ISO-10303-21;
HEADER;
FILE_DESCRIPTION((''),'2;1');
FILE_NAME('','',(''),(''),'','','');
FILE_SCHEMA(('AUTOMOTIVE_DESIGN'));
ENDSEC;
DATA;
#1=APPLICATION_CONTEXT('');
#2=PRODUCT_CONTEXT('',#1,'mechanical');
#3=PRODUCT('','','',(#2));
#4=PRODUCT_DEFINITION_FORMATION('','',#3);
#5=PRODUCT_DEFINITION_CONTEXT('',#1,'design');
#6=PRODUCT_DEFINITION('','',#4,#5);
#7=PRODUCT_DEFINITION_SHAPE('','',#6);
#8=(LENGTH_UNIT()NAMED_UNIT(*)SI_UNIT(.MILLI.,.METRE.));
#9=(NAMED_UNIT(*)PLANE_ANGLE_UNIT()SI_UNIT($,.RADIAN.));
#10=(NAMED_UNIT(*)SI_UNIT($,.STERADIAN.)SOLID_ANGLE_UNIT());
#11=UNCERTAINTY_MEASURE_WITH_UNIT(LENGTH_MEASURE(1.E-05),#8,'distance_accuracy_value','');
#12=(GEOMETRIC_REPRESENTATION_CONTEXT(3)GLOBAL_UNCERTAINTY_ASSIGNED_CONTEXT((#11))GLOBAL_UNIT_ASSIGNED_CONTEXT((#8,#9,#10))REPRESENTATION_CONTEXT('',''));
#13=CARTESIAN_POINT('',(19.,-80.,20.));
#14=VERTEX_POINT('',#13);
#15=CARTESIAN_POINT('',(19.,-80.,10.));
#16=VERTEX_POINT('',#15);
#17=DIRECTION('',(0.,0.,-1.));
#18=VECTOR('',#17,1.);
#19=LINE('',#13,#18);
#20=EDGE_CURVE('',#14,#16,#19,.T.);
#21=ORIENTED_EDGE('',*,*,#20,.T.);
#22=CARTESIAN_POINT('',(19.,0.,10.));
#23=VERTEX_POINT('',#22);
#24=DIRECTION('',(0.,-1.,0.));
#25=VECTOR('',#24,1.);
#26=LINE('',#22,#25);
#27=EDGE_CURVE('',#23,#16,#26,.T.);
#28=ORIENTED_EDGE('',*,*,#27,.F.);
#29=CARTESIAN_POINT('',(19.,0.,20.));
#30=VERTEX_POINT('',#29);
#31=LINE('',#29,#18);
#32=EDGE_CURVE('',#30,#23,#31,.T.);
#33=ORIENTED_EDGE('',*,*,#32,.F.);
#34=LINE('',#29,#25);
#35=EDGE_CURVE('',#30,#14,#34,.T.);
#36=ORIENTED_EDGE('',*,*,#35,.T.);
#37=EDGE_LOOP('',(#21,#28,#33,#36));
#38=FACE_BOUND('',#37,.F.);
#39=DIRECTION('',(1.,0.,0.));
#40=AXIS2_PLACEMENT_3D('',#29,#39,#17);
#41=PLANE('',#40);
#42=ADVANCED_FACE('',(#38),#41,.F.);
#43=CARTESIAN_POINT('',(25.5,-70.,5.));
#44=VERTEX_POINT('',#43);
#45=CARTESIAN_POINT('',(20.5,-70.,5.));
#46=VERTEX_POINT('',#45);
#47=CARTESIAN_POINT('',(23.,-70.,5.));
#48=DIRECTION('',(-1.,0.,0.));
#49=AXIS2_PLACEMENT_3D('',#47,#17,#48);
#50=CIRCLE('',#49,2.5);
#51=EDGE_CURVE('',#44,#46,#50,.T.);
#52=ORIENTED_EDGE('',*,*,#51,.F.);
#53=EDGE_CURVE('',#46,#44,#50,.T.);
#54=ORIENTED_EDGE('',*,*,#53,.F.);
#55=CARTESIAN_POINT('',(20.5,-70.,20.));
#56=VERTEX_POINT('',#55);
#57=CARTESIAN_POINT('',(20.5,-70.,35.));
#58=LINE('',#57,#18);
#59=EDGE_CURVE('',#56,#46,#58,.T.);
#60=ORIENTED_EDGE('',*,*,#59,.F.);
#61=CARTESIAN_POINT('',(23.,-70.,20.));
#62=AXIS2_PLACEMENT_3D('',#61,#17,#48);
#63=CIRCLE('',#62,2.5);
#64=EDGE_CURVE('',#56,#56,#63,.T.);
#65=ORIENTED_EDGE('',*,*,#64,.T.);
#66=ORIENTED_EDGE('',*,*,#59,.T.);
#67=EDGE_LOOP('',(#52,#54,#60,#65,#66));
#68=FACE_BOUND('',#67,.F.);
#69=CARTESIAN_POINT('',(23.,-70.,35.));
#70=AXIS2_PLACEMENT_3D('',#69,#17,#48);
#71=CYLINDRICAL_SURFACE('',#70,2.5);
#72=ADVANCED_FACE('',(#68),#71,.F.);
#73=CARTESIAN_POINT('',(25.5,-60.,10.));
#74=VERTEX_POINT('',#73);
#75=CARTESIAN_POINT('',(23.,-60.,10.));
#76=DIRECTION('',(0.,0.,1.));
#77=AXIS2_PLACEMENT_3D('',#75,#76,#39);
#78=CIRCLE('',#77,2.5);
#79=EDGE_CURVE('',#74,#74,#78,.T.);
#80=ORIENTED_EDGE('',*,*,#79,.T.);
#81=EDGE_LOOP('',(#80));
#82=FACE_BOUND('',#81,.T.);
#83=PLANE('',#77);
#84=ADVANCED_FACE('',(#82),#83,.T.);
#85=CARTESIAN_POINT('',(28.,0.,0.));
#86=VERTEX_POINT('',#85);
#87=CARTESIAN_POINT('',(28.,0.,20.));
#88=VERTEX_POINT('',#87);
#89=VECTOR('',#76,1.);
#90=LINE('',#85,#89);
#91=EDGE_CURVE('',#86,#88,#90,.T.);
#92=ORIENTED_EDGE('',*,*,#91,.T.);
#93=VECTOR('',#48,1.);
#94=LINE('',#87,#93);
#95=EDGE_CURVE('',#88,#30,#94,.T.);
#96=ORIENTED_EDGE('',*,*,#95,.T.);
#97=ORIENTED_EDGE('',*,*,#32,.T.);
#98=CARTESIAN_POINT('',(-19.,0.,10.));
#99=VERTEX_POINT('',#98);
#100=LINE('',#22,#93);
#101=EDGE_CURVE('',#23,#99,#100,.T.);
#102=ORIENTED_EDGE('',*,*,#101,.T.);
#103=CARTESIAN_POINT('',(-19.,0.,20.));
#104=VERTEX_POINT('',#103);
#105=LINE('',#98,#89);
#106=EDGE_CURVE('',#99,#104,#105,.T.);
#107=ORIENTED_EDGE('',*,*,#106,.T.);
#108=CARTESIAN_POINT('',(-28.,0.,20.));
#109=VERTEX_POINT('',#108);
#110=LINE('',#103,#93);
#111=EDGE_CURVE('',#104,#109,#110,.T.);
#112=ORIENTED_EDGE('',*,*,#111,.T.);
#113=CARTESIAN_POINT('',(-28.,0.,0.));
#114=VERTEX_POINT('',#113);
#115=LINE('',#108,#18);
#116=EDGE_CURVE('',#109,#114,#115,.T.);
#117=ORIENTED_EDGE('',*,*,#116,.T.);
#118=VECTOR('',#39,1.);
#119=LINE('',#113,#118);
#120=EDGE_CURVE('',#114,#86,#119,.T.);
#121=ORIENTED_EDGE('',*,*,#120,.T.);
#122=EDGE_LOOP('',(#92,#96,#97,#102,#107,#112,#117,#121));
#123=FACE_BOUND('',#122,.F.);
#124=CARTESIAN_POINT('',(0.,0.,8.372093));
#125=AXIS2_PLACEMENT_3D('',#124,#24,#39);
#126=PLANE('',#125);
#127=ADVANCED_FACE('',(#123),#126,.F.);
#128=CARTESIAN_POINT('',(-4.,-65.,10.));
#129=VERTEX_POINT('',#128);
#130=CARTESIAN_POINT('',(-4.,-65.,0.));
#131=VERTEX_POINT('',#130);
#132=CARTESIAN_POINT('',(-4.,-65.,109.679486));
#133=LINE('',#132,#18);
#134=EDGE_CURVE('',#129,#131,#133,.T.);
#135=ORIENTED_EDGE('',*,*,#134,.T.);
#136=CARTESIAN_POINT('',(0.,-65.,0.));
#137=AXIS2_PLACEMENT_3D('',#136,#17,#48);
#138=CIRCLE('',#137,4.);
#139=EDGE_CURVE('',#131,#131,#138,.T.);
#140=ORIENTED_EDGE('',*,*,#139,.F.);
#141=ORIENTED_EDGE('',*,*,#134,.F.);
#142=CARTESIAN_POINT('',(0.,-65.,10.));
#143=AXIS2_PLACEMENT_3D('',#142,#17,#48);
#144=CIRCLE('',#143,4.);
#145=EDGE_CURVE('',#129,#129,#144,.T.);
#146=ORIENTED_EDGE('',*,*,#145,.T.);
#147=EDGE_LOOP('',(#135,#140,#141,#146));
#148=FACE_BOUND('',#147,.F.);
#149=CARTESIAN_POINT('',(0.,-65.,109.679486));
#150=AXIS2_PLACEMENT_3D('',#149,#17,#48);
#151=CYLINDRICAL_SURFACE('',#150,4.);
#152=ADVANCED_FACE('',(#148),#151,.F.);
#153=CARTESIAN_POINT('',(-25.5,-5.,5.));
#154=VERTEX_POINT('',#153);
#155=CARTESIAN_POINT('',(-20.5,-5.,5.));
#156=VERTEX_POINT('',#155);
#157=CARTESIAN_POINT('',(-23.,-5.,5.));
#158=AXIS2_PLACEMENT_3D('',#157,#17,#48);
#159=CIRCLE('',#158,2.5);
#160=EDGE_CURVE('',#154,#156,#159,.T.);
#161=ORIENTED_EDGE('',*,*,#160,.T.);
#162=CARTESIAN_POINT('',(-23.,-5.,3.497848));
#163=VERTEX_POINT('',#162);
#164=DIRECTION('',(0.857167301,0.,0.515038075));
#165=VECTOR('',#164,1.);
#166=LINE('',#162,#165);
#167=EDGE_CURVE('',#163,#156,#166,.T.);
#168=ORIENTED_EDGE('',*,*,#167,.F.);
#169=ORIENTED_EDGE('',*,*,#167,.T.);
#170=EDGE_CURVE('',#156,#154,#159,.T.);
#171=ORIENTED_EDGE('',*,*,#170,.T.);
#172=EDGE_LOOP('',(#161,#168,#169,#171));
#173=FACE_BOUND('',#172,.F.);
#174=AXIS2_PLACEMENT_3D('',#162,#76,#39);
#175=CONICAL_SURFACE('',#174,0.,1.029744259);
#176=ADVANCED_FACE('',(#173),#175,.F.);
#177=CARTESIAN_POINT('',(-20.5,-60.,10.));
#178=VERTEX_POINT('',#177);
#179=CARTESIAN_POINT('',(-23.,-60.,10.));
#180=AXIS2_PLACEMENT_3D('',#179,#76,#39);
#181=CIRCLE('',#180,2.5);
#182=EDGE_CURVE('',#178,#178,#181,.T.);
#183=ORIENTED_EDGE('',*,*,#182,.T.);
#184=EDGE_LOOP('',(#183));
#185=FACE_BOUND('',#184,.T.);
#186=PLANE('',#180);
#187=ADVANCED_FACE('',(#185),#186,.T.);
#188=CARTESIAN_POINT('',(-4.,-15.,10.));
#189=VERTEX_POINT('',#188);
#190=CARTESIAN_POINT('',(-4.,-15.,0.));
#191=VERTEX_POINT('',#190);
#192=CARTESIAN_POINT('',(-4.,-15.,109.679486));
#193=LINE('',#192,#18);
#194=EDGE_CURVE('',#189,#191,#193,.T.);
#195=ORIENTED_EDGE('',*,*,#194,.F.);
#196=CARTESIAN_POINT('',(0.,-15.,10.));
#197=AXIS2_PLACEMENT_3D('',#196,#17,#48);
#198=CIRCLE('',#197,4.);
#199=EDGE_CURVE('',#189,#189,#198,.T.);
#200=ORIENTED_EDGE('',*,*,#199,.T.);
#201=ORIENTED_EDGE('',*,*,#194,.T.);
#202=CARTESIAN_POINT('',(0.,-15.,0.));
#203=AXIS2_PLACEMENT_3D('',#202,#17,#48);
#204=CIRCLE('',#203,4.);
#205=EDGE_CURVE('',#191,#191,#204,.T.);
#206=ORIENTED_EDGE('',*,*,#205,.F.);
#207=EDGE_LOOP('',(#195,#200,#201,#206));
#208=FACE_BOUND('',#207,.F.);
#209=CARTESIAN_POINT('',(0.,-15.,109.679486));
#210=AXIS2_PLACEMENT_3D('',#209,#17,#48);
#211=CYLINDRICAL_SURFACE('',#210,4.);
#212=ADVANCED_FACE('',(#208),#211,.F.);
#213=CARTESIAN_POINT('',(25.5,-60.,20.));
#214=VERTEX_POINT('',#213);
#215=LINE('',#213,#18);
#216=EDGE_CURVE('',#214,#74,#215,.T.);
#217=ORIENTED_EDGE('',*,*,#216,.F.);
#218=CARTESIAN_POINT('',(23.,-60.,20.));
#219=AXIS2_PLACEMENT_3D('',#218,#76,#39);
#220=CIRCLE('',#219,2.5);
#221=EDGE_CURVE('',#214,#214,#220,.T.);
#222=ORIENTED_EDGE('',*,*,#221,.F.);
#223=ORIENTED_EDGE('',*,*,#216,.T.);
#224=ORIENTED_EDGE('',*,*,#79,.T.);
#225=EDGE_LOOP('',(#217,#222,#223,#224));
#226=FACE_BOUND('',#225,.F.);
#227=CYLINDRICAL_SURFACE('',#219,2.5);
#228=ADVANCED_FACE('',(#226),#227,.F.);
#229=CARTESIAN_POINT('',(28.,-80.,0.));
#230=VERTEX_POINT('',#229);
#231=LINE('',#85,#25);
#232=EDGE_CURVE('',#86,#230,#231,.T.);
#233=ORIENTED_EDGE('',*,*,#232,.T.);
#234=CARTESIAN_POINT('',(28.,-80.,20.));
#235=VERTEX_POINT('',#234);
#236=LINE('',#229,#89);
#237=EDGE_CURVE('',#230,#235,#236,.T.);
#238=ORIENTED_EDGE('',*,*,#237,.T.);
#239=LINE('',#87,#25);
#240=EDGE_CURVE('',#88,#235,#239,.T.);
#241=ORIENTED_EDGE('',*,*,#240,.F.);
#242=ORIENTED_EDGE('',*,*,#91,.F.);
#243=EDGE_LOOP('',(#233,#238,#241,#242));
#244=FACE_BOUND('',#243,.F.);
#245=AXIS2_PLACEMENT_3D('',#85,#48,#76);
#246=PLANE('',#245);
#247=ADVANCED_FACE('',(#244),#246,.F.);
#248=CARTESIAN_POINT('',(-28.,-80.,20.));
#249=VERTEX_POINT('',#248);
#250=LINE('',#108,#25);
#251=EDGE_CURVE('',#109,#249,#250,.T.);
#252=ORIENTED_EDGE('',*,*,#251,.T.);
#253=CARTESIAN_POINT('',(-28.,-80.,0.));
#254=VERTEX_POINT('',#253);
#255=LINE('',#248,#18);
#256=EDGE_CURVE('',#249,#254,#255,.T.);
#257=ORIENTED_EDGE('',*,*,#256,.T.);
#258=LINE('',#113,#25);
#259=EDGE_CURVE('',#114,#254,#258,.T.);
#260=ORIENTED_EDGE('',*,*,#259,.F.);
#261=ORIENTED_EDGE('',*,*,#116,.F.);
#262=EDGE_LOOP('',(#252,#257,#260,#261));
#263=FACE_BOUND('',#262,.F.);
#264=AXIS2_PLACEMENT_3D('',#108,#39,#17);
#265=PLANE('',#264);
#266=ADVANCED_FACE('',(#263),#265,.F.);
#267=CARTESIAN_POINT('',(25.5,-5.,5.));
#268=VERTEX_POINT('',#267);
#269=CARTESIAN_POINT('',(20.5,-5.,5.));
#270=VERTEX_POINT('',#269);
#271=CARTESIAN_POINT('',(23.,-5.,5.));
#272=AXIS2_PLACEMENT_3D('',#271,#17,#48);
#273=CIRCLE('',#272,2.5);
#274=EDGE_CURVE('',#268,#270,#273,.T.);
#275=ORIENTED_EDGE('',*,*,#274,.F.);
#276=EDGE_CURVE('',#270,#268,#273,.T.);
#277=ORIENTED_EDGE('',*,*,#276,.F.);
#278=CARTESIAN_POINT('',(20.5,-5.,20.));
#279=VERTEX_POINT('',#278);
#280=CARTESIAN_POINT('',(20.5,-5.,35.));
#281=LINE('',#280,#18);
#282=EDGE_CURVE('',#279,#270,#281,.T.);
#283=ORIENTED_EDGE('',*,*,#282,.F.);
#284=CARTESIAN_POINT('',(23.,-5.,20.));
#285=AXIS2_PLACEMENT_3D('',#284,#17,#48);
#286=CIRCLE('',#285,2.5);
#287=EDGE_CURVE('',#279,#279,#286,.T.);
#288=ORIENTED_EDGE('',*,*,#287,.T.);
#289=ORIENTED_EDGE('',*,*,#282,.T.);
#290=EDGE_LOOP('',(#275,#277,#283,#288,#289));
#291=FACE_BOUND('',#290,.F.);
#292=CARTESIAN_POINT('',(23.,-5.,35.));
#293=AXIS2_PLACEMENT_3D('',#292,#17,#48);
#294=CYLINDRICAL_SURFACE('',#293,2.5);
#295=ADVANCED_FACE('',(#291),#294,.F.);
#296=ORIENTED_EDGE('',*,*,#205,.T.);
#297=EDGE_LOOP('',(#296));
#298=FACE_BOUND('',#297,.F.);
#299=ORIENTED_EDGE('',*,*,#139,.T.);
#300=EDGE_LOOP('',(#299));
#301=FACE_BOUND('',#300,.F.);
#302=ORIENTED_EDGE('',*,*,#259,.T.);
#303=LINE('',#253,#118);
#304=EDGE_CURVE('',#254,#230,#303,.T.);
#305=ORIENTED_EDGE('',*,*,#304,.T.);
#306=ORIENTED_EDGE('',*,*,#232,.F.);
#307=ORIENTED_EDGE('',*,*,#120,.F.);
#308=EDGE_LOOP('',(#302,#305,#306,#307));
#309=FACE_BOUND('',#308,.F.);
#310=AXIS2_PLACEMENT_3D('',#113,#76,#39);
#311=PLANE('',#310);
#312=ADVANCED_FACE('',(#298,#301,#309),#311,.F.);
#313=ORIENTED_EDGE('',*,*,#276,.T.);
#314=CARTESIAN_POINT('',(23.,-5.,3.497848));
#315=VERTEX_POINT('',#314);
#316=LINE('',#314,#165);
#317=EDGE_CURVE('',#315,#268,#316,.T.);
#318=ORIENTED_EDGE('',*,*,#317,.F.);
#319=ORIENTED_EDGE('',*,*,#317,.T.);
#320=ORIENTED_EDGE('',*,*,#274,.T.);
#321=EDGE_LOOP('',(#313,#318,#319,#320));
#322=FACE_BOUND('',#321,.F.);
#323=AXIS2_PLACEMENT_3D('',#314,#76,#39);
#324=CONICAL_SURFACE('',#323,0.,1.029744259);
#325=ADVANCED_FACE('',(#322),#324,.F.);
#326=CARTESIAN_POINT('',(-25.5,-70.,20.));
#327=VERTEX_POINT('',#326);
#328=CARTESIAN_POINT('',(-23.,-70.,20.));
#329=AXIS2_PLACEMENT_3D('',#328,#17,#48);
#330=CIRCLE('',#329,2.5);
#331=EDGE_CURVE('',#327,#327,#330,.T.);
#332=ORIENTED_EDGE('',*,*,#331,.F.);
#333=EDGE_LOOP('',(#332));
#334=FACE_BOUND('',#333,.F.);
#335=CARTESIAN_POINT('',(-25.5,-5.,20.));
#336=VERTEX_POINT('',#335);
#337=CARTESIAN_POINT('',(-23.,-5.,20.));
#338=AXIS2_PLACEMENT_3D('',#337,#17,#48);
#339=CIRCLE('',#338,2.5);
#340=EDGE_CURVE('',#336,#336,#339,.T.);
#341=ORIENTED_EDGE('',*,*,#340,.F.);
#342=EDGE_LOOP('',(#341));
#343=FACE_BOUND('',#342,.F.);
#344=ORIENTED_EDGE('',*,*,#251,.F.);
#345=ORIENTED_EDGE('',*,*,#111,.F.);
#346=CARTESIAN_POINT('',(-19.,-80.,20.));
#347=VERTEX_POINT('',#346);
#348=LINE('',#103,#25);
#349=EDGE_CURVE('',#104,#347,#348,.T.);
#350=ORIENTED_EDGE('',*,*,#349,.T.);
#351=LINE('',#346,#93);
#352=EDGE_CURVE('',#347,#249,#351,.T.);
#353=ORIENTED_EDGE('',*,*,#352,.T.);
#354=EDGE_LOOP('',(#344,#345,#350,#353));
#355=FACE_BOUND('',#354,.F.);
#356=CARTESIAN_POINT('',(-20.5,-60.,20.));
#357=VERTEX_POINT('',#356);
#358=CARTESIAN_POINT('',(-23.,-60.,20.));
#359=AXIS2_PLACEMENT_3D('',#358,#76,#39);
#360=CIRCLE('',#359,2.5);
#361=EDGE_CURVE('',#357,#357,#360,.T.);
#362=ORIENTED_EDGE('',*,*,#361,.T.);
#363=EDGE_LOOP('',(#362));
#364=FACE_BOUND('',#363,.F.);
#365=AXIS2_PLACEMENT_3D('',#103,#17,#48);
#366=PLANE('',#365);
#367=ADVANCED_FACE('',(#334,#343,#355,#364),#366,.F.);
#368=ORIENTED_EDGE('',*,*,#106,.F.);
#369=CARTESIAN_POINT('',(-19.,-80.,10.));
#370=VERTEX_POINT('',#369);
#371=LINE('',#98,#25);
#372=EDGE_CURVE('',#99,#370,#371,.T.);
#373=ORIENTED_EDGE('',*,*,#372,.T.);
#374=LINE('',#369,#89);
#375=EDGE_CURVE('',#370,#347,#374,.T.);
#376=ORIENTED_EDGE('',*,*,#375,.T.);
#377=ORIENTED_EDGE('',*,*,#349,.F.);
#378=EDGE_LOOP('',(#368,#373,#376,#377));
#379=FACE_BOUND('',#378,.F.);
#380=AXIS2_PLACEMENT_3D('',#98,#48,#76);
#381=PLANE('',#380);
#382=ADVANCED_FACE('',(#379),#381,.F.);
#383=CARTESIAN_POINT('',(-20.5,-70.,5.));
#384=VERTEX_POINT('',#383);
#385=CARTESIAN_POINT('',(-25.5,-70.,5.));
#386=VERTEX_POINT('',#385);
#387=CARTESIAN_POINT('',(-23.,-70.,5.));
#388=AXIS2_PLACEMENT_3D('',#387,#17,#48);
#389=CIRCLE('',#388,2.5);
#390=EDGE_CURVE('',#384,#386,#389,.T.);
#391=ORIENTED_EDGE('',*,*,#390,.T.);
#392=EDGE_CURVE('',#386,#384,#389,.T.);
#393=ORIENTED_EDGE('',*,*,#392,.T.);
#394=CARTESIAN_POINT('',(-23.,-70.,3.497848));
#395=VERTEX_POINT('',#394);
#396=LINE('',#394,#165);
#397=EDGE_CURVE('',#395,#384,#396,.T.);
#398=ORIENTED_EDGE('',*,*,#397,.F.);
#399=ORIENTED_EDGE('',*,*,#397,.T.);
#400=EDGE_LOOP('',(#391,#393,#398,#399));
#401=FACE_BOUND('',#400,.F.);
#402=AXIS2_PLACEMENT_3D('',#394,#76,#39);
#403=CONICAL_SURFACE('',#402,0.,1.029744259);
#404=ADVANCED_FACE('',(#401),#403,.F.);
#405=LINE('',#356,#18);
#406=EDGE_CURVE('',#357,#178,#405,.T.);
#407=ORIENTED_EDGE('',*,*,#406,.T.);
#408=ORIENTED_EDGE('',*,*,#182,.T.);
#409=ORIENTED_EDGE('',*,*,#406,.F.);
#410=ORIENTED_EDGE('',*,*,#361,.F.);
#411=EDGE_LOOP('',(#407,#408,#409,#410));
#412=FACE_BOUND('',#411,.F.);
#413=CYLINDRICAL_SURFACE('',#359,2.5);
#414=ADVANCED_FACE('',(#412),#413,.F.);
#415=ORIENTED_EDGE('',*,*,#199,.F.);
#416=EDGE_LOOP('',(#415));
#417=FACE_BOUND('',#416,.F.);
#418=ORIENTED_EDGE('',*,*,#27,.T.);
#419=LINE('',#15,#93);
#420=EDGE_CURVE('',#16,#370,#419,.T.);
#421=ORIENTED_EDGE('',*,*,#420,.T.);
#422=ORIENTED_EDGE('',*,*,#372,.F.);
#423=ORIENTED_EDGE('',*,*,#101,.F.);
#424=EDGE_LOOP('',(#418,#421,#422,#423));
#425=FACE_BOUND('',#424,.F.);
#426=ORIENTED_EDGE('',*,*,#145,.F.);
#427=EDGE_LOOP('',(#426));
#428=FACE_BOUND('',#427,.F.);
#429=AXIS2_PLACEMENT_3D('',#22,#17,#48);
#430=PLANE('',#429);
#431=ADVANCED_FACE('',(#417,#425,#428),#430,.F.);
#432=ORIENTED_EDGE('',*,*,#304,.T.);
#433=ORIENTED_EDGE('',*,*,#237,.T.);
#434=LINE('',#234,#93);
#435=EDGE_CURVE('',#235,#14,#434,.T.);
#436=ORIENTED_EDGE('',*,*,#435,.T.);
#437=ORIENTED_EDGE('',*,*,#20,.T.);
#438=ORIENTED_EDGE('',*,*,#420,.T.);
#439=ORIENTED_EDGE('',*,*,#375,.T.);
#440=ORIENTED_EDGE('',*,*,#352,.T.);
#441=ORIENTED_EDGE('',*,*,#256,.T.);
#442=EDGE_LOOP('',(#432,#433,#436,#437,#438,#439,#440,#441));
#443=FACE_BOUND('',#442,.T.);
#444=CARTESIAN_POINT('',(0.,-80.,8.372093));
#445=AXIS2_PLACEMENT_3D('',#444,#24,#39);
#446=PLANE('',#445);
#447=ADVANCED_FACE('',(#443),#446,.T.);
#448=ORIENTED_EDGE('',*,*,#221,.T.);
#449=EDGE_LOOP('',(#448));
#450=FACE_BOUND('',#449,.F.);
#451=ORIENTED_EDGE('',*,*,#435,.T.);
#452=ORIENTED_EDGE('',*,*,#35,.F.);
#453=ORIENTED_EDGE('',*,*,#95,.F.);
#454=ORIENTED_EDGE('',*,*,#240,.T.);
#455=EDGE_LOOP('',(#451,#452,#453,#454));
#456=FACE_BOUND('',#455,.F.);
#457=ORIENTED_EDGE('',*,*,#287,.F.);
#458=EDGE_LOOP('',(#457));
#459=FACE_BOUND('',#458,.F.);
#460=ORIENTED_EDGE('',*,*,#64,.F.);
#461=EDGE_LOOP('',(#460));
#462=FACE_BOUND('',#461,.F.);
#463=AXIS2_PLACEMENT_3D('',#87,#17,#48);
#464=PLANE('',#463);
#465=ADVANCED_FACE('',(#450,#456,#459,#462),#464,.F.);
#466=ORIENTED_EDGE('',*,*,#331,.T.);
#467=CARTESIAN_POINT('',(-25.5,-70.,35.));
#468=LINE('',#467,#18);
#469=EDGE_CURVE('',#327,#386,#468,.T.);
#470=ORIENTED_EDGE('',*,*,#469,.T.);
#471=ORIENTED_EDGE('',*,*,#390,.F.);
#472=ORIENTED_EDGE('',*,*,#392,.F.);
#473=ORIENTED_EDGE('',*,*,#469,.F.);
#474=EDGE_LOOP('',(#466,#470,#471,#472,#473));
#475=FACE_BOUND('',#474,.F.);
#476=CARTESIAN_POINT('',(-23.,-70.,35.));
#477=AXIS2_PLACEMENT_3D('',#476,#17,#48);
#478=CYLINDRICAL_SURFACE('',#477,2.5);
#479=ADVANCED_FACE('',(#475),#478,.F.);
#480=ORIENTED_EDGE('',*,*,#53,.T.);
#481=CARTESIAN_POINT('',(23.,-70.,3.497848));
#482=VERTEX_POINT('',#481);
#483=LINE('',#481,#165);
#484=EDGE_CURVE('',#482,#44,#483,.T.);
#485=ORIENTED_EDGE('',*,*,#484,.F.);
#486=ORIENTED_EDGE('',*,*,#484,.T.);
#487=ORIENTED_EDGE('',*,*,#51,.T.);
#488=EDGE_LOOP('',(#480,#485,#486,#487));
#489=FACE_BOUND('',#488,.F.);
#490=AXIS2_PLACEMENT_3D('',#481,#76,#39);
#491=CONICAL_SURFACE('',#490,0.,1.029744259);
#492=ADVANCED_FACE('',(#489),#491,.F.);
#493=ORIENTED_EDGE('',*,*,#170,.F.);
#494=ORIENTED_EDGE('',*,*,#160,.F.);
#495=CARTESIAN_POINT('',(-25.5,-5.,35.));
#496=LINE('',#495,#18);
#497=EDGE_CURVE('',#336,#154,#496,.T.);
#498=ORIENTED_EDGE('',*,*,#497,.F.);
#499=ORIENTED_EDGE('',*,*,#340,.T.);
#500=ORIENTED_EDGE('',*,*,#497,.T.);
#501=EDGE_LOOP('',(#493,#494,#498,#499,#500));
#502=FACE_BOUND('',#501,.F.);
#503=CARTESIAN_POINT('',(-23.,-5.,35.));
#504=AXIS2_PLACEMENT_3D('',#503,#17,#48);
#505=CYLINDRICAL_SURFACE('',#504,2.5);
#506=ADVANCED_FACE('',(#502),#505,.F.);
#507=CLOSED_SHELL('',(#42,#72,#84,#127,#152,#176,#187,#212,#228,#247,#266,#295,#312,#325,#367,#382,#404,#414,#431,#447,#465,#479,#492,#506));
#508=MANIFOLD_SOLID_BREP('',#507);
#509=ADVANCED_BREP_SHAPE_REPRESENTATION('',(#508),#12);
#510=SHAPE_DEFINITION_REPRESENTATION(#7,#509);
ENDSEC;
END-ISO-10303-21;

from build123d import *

# Parameters (mm, degrees)
F1_DEPTH = 80
F2_R     = 2.5
F3_DEPTH = 10
F5_D     = 5
F5_DEPTH = 15
F5_TIP   = 1.5021515476
F7_D     = 8


with BuildPart() as f1:
    # F0 (on Front) → F1 (new body)
    with BuildSketch(Plane.XZ):
        Polygon((-19, 20), (-28, 20), (-28, 0), (28, 0), (28, 20), (19, 20), (19, 10), (-19, 10), align=None)
    extrude(amount=F1_DEPTH)

    # F2 (on face) → F3 (cut)
    with BuildSketch(Plane.XY.offset(20)):
        with Locations((23, -60)):
            Circle(F2_R)
        with Locations((-23, -60)):
            Circle(F2_R)
    extrude(amount=-F3_DEPTH, mode=Mode.SUBTRACT)

    # F5
    with Locations(Plane.XY.offset(20)):
        with Locations((-23, -5), (23, -5), (23, -70), (-23, -70)):
            Hole(F5_D / 2, depth=F5_DEPTH)
            with Locations((0, 0, -(F5_DEPTH + F5_TIP / 2))):  # 118° drill point
                Cone(0, F5_D / 2, F5_TIP, mode=Mode.SUBTRACT)

    # F7 (through all)
    with Locations(Plane.XY.offset(10)):
        with Locations((0, -15), (0, -65)):
            Hole(F7_D / 2)


solid = f1.part
